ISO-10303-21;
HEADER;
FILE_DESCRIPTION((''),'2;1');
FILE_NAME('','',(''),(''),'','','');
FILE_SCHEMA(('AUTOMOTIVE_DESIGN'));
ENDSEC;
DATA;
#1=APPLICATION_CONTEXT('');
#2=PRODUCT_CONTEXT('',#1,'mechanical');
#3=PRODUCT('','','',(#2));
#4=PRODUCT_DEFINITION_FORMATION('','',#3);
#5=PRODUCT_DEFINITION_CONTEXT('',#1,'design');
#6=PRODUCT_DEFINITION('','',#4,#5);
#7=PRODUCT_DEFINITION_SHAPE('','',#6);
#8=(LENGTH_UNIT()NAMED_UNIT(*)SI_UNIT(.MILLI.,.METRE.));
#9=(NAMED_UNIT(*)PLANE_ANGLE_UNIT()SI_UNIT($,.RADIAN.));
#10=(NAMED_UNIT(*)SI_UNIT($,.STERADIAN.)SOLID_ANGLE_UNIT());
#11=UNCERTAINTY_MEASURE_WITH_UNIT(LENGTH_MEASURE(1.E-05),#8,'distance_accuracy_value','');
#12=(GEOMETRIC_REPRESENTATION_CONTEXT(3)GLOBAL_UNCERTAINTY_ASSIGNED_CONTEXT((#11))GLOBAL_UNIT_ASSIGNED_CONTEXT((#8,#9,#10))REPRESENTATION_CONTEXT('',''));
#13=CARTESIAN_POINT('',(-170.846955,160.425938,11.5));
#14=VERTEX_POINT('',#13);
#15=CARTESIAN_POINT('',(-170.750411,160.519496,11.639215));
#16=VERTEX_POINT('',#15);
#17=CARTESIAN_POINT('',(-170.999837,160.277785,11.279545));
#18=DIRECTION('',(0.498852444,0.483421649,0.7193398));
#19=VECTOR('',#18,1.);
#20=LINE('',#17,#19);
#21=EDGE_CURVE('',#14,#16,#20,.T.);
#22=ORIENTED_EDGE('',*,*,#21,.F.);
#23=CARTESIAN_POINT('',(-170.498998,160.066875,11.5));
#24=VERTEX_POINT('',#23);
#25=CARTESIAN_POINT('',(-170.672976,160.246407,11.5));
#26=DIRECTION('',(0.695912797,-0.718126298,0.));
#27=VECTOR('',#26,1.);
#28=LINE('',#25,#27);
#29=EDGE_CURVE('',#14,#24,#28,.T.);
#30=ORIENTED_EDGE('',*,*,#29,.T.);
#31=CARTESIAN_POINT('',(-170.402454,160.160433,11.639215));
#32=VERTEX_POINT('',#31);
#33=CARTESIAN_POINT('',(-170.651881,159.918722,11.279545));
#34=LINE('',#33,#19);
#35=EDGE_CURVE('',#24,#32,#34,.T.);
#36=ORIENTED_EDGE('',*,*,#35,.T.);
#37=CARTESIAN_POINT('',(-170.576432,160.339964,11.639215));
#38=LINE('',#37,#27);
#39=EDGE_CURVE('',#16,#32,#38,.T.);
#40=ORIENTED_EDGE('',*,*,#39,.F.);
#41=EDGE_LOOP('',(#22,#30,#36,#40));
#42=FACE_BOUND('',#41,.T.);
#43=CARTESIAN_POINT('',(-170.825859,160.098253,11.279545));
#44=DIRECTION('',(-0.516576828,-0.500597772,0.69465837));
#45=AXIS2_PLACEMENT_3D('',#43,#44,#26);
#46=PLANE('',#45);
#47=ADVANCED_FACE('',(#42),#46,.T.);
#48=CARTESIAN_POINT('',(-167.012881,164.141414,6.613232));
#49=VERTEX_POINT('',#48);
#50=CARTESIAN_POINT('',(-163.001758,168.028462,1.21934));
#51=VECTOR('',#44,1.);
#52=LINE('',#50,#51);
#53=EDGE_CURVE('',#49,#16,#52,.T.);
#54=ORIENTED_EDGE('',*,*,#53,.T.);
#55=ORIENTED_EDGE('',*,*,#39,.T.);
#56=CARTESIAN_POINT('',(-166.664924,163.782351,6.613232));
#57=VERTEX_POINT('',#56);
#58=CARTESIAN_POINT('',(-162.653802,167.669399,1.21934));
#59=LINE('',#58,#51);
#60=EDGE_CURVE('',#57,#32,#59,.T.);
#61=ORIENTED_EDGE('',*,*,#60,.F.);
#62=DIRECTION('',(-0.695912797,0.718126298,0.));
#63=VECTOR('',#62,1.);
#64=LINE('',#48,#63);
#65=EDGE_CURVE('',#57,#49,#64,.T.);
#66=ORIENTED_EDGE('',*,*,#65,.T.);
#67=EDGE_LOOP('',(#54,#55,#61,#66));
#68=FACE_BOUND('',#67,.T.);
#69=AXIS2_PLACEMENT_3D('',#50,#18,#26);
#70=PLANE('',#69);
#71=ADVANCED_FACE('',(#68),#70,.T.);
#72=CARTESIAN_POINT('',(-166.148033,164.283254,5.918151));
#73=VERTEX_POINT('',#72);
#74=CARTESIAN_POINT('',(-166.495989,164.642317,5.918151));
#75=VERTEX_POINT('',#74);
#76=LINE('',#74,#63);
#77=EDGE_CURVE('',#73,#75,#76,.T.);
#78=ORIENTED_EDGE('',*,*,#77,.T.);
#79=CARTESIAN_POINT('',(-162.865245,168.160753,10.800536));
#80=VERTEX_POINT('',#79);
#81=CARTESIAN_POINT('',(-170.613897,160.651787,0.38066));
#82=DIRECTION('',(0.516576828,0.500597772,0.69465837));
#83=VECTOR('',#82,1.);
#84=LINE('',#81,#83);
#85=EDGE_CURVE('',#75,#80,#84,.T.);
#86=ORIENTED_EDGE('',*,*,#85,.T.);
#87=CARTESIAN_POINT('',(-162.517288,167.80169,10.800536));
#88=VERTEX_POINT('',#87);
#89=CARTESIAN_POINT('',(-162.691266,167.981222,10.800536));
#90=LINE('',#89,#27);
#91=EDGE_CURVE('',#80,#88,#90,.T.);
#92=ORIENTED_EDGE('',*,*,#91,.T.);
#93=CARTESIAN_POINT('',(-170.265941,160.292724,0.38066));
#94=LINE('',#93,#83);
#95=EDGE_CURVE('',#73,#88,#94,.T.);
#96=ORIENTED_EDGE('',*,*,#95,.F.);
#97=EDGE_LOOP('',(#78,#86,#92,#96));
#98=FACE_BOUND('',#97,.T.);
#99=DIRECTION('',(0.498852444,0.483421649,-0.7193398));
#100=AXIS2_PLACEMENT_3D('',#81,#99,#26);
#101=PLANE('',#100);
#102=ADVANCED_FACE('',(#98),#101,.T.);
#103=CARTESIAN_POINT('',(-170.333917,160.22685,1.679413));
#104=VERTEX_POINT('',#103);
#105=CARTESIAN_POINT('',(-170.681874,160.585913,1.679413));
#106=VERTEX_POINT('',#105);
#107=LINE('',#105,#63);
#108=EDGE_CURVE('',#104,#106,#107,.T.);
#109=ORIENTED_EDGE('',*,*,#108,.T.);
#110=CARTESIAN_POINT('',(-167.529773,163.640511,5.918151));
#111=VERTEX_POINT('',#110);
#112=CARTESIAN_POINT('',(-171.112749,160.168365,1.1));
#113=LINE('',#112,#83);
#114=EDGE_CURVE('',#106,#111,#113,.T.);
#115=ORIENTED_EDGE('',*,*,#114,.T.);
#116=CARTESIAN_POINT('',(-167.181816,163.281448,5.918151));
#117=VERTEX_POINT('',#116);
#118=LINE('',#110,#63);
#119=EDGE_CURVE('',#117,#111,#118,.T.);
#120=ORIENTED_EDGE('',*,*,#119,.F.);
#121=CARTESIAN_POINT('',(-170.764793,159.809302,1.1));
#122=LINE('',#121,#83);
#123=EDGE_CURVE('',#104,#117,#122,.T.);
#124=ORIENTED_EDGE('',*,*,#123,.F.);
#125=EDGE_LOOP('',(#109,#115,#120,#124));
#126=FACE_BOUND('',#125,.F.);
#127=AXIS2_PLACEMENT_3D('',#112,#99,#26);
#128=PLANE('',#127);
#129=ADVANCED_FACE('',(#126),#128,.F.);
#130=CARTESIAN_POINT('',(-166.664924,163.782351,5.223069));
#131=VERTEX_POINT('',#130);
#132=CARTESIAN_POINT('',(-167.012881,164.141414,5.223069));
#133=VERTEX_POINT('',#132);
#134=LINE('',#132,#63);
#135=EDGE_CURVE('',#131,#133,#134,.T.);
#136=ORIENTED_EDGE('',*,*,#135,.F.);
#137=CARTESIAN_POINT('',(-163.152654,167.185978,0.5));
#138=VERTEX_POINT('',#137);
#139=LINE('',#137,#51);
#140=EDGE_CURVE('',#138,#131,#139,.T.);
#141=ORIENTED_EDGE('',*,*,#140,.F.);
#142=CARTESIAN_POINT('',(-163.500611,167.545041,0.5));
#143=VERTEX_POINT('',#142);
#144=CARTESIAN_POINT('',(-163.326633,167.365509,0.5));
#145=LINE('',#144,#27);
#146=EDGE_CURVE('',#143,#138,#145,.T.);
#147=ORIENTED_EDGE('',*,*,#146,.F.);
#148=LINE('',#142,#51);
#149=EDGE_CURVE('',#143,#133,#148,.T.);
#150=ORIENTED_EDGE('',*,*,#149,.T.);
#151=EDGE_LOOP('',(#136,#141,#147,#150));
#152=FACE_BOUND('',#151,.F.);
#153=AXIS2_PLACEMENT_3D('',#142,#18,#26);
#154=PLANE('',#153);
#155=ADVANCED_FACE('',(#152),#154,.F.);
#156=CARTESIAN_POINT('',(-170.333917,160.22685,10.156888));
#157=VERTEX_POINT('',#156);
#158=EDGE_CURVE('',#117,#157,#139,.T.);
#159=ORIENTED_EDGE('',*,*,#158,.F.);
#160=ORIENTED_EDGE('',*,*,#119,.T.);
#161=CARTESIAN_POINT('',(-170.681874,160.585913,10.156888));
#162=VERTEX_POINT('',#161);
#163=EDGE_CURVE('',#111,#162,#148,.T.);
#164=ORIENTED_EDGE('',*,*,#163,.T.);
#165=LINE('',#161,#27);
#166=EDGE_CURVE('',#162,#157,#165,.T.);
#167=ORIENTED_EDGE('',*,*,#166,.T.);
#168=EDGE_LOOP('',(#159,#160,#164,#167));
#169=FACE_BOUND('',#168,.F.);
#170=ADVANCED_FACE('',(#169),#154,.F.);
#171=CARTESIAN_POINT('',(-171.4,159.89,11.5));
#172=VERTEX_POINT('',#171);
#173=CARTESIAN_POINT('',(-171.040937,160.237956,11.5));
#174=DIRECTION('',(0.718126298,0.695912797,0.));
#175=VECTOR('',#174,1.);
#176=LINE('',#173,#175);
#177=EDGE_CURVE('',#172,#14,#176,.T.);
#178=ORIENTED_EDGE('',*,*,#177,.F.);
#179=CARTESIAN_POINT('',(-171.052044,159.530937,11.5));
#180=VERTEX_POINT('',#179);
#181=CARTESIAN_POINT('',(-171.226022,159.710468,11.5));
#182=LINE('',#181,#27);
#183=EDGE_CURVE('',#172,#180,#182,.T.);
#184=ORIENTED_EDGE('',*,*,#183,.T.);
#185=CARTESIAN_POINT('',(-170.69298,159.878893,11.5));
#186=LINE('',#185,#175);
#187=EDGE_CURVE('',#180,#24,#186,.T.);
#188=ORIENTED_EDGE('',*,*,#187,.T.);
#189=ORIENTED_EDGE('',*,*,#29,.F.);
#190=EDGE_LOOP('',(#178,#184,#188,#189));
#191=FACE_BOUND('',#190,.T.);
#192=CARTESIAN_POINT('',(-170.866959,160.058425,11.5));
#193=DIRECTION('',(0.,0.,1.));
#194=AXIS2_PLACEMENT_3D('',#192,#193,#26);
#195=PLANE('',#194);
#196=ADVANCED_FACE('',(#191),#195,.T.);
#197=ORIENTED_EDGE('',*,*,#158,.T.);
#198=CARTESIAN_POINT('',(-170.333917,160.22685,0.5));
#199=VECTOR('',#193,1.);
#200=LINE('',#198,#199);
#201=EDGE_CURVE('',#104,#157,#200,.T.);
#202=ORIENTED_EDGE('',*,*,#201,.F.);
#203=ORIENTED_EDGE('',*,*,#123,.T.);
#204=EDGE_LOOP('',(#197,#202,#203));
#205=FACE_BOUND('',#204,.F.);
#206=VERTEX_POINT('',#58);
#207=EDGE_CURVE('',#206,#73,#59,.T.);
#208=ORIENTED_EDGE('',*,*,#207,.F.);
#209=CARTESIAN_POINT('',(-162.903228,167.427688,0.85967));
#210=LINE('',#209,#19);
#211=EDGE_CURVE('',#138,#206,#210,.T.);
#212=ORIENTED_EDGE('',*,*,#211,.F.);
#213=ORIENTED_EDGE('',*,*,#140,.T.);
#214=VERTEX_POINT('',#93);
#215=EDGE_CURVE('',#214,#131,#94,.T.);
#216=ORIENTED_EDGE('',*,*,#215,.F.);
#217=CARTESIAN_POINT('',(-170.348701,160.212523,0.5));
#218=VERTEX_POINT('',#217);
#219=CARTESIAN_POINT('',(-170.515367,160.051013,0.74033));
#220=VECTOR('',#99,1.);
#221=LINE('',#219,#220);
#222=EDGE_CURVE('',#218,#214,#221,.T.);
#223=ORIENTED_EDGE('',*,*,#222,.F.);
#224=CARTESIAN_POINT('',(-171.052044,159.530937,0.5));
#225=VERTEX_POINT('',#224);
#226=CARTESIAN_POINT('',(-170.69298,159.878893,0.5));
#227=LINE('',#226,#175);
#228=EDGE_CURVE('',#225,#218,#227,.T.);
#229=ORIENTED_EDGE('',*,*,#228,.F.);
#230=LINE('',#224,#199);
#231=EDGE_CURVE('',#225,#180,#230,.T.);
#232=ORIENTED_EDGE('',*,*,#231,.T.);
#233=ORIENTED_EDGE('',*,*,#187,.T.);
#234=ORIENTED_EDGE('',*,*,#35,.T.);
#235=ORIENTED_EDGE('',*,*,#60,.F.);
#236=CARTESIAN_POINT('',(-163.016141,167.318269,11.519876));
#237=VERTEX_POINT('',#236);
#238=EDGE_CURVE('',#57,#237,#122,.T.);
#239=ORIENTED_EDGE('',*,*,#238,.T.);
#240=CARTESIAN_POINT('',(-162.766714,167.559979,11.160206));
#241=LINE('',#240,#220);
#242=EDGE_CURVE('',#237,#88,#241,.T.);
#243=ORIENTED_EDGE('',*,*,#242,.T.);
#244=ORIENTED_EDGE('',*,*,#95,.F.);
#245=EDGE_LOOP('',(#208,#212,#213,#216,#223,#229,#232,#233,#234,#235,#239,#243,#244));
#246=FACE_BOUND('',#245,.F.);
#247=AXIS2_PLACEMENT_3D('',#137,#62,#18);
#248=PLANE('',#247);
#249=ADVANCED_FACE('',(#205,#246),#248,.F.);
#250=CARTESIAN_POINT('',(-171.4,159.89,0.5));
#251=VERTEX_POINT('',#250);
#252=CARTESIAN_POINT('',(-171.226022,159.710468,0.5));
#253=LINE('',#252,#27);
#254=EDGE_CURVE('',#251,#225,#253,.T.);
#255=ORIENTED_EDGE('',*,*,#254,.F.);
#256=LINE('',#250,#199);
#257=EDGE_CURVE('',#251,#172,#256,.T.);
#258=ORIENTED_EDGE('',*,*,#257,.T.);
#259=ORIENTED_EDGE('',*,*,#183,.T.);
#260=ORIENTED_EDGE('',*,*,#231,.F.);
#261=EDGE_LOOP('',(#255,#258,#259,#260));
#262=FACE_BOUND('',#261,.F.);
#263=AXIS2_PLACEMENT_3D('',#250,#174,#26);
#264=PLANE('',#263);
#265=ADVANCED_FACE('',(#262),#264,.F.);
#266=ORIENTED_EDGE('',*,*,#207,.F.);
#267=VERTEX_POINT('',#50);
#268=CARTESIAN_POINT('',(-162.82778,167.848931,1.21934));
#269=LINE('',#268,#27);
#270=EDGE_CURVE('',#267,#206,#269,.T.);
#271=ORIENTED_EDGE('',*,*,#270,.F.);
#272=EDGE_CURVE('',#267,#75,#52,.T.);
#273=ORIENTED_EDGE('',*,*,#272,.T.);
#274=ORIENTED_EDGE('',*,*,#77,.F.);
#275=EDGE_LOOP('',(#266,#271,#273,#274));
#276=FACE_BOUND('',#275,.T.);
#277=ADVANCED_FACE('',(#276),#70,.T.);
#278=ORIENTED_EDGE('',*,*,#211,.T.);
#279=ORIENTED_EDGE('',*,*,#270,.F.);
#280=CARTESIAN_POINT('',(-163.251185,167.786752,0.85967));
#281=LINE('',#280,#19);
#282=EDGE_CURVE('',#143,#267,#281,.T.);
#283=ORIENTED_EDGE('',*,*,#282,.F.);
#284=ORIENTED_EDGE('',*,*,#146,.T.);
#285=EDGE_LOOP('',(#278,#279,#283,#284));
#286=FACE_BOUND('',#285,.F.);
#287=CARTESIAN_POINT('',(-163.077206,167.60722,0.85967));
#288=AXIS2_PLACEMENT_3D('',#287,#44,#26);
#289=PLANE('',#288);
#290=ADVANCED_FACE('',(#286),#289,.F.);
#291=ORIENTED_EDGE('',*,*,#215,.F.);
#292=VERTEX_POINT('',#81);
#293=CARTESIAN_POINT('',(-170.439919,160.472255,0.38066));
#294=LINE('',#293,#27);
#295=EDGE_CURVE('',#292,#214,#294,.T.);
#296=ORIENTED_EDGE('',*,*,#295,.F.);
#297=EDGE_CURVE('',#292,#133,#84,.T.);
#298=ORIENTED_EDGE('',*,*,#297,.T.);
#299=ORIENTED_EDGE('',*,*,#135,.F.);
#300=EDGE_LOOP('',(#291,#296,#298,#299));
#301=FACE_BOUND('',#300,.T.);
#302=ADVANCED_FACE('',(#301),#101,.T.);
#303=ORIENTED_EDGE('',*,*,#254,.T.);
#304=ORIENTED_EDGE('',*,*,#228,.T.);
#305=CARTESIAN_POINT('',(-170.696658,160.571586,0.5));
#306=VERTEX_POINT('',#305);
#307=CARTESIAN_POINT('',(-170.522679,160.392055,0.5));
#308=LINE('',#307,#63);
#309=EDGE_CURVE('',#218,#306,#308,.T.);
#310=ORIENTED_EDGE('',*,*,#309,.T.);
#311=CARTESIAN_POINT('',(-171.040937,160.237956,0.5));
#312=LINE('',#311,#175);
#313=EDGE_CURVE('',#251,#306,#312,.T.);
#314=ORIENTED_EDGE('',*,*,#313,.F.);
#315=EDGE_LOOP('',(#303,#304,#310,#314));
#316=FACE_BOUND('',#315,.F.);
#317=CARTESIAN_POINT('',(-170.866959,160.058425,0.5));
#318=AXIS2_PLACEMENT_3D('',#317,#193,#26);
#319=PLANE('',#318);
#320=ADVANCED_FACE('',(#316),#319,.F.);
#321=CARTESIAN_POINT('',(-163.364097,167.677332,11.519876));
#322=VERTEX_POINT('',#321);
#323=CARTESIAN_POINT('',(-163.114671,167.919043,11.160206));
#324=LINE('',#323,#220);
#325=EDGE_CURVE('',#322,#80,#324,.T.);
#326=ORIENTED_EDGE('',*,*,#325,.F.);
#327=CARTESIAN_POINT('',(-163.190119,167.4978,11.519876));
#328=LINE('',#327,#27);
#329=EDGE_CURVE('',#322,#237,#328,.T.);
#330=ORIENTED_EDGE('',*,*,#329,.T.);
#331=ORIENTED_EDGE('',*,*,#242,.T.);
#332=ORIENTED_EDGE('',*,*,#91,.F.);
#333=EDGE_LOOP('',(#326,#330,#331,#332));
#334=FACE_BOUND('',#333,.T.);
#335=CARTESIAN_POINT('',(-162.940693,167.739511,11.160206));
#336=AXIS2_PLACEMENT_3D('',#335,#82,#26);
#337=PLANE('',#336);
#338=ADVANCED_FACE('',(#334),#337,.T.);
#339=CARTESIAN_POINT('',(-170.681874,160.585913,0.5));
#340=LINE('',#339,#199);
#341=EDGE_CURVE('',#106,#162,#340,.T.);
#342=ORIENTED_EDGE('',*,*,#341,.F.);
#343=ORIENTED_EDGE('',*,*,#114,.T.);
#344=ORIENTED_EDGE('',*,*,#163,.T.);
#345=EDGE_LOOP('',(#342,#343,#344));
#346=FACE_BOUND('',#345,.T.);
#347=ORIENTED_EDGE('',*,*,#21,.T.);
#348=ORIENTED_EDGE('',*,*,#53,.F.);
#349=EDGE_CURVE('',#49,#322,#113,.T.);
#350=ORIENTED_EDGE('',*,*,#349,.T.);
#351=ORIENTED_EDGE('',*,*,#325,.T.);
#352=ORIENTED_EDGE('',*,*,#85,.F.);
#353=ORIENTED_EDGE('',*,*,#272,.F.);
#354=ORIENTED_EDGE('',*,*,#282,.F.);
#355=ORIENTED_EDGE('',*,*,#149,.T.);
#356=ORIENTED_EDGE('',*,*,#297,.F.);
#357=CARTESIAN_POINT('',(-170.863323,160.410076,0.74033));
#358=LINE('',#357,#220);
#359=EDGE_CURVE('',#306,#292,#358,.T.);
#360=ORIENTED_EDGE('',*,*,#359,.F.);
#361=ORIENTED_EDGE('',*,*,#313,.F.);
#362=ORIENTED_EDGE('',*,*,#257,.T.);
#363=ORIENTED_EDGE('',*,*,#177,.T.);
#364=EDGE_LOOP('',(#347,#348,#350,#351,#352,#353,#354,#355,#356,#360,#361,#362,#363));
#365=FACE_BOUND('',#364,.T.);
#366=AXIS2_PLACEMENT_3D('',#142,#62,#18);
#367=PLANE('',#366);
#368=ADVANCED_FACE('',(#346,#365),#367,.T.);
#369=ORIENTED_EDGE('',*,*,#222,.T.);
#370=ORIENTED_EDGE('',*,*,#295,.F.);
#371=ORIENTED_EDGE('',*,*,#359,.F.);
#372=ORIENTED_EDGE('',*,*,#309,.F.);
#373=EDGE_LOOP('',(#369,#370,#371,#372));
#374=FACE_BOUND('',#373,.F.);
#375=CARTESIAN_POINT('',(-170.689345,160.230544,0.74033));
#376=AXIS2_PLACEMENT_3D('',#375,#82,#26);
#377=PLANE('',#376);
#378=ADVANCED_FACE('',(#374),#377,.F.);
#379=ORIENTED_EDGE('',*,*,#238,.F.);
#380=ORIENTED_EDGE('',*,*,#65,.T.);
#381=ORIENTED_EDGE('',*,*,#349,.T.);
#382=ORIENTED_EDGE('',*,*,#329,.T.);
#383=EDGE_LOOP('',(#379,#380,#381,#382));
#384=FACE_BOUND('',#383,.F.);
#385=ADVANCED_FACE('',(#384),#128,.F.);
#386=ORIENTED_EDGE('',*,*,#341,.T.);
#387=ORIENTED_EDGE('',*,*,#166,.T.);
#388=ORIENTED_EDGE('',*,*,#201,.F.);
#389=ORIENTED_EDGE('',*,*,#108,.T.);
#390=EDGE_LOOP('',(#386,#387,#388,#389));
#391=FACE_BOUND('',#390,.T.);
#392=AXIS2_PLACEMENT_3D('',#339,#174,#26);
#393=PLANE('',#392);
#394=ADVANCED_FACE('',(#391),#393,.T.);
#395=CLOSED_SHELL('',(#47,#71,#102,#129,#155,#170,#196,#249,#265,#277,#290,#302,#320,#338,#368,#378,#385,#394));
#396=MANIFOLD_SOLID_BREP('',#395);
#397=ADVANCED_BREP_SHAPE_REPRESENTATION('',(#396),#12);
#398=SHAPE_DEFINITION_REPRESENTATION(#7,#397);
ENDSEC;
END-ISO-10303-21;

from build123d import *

# Parameters (mm, degrees)
BOX241_W                  = 0.5
BOX241_H                  = 1
BOX241_DEPTH              = 15
BOX241_ROLL_ANGLE         = 46
BOX242_W                  = 0.5
BOX242_H                  = 1
BOX242_DEPTH              = 15
BOX242_ROLL_ANGLE         = -46
BOX240_W                  = 0.5
BOX240_H                  = 1
BOX240_DEPTH              = 11
FUSION023_PLACEMENT_ANGLE = 45.9


with BuildPart() as cubo241:
    # Box241 → Box241 (new body)
    with BuildSketch(Plane.XY):
        with Locations((0.25, 0.5)):
            Rectangle(BOX241_W, BOX241_H)
    extrude(amount=BOX241_DEPTH)


with BuildPart() as cubo241_1:
    # Box241 roll: moved
    add(cubo241.part.rotate(Axis((0, 0, 0), (1, 0, 0)), BOX241_ROLL_ANGLE))


with BuildPart() as cubo241_2:
    # Box241 placement: moved
    add(cubo241_1.part.moved(Location((0, 11, 0.5))))


with BuildPart() as cubo242:
    # Box242 → Box242 (new body)
    with BuildSketch(Plane.XY):
        with Locations((0.25, 0.5)):
            Rectangle(BOX242_W, BOX242_H)
    extrude(amount=BOX242_DEPTH)


with BuildPart() as cubo242_1:
    # Box242 roll: moved
    add(cubo242.part.rotate(Axis((0, 0, 0), (1, 0, 0)), BOX242_ROLL_ANGLE))


with BuildPart() as cubo242_2:
    # Box242 placement: moved
    add(cubo242_1.part.moved(Location((0, 0.4, 1.1))))


with BuildPart() as fusion023:
    # Box240 → Box240 (new body)
    with BuildSketch(Plane.XY.offset(0.5)):
        with Locations((0.25, 0.5)):
            Rectangle(BOX240_W, BOX240_H)
    extrude(amount=BOX240_DEPTH)

    # Fusion023: union Cubo241, Cubo242
    add(cubo241_2.part)
    add(cubo242_2.part)


with BuildPart() as fusion023_1:
    # Fusion023 placement: moved
    add(fusion023.part.moved(Location((-171.4, 159.89, 0))).rotate(Axis((-171.4, 159.89, 0), (0, 0, -1)), FUSION023_PLACEMENT_ANGLE))


solid = fusion023_1.part
